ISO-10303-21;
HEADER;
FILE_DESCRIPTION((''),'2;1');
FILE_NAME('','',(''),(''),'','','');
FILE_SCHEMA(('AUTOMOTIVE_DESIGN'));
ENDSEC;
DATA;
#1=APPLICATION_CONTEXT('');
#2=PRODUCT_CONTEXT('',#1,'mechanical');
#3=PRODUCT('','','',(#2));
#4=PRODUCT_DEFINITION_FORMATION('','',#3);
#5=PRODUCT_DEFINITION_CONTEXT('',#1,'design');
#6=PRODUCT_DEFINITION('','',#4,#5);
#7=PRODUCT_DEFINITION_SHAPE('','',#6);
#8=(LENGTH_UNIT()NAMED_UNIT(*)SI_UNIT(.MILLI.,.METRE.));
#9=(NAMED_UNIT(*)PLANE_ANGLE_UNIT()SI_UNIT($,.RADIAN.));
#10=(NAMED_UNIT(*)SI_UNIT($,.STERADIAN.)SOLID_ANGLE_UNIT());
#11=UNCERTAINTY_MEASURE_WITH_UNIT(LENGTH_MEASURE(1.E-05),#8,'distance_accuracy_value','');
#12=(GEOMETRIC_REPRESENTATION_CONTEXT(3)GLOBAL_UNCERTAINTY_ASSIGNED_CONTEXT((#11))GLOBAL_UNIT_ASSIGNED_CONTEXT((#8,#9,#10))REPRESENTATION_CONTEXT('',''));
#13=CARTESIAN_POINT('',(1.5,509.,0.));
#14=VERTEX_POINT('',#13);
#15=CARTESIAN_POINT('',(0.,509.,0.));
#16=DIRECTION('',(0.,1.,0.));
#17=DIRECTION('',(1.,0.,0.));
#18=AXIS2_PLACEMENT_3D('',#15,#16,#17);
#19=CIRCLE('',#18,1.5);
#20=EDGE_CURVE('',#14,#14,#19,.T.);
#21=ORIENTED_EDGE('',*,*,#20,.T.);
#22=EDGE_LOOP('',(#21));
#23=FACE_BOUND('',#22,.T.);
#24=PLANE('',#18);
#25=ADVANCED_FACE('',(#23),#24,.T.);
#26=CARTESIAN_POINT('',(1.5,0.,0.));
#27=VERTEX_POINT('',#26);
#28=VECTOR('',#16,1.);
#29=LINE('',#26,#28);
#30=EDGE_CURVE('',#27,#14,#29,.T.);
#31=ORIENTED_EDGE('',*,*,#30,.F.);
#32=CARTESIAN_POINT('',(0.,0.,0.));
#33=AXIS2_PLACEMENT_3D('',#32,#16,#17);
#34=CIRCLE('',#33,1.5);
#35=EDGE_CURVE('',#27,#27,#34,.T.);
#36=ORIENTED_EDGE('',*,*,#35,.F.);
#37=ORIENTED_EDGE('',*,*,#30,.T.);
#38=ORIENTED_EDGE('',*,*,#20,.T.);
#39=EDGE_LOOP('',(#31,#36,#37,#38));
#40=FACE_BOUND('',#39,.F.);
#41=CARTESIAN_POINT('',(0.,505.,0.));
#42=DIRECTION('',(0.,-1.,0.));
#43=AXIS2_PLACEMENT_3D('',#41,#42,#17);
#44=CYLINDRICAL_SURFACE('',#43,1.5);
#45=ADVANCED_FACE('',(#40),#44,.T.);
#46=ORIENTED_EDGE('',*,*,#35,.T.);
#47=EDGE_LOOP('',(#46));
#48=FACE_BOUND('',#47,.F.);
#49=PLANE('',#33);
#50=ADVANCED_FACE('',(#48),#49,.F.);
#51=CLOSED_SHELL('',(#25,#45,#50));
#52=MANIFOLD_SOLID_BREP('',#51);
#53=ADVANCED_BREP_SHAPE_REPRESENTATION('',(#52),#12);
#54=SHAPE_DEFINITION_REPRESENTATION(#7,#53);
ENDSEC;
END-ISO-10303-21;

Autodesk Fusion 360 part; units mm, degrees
sketch "Sketch1" plane through (0, 0, 0) normal (0, 1, 0) x (1, 0, 0)
  circle A0 centre (0, 0) radius 1.5
  dimension "d1" = 3
extrude "Extrude1" add sketch "Sketch1" along normal blind 500
extrude "Extrude2" add 1 faces at (0.567, 500, 0.5383) along direction (0, 1, 0) blind 5
extrude "Extrude3" add 1 faces at (0.567, 505, 0.5383) along direction (0, 1, 0) blind 4
